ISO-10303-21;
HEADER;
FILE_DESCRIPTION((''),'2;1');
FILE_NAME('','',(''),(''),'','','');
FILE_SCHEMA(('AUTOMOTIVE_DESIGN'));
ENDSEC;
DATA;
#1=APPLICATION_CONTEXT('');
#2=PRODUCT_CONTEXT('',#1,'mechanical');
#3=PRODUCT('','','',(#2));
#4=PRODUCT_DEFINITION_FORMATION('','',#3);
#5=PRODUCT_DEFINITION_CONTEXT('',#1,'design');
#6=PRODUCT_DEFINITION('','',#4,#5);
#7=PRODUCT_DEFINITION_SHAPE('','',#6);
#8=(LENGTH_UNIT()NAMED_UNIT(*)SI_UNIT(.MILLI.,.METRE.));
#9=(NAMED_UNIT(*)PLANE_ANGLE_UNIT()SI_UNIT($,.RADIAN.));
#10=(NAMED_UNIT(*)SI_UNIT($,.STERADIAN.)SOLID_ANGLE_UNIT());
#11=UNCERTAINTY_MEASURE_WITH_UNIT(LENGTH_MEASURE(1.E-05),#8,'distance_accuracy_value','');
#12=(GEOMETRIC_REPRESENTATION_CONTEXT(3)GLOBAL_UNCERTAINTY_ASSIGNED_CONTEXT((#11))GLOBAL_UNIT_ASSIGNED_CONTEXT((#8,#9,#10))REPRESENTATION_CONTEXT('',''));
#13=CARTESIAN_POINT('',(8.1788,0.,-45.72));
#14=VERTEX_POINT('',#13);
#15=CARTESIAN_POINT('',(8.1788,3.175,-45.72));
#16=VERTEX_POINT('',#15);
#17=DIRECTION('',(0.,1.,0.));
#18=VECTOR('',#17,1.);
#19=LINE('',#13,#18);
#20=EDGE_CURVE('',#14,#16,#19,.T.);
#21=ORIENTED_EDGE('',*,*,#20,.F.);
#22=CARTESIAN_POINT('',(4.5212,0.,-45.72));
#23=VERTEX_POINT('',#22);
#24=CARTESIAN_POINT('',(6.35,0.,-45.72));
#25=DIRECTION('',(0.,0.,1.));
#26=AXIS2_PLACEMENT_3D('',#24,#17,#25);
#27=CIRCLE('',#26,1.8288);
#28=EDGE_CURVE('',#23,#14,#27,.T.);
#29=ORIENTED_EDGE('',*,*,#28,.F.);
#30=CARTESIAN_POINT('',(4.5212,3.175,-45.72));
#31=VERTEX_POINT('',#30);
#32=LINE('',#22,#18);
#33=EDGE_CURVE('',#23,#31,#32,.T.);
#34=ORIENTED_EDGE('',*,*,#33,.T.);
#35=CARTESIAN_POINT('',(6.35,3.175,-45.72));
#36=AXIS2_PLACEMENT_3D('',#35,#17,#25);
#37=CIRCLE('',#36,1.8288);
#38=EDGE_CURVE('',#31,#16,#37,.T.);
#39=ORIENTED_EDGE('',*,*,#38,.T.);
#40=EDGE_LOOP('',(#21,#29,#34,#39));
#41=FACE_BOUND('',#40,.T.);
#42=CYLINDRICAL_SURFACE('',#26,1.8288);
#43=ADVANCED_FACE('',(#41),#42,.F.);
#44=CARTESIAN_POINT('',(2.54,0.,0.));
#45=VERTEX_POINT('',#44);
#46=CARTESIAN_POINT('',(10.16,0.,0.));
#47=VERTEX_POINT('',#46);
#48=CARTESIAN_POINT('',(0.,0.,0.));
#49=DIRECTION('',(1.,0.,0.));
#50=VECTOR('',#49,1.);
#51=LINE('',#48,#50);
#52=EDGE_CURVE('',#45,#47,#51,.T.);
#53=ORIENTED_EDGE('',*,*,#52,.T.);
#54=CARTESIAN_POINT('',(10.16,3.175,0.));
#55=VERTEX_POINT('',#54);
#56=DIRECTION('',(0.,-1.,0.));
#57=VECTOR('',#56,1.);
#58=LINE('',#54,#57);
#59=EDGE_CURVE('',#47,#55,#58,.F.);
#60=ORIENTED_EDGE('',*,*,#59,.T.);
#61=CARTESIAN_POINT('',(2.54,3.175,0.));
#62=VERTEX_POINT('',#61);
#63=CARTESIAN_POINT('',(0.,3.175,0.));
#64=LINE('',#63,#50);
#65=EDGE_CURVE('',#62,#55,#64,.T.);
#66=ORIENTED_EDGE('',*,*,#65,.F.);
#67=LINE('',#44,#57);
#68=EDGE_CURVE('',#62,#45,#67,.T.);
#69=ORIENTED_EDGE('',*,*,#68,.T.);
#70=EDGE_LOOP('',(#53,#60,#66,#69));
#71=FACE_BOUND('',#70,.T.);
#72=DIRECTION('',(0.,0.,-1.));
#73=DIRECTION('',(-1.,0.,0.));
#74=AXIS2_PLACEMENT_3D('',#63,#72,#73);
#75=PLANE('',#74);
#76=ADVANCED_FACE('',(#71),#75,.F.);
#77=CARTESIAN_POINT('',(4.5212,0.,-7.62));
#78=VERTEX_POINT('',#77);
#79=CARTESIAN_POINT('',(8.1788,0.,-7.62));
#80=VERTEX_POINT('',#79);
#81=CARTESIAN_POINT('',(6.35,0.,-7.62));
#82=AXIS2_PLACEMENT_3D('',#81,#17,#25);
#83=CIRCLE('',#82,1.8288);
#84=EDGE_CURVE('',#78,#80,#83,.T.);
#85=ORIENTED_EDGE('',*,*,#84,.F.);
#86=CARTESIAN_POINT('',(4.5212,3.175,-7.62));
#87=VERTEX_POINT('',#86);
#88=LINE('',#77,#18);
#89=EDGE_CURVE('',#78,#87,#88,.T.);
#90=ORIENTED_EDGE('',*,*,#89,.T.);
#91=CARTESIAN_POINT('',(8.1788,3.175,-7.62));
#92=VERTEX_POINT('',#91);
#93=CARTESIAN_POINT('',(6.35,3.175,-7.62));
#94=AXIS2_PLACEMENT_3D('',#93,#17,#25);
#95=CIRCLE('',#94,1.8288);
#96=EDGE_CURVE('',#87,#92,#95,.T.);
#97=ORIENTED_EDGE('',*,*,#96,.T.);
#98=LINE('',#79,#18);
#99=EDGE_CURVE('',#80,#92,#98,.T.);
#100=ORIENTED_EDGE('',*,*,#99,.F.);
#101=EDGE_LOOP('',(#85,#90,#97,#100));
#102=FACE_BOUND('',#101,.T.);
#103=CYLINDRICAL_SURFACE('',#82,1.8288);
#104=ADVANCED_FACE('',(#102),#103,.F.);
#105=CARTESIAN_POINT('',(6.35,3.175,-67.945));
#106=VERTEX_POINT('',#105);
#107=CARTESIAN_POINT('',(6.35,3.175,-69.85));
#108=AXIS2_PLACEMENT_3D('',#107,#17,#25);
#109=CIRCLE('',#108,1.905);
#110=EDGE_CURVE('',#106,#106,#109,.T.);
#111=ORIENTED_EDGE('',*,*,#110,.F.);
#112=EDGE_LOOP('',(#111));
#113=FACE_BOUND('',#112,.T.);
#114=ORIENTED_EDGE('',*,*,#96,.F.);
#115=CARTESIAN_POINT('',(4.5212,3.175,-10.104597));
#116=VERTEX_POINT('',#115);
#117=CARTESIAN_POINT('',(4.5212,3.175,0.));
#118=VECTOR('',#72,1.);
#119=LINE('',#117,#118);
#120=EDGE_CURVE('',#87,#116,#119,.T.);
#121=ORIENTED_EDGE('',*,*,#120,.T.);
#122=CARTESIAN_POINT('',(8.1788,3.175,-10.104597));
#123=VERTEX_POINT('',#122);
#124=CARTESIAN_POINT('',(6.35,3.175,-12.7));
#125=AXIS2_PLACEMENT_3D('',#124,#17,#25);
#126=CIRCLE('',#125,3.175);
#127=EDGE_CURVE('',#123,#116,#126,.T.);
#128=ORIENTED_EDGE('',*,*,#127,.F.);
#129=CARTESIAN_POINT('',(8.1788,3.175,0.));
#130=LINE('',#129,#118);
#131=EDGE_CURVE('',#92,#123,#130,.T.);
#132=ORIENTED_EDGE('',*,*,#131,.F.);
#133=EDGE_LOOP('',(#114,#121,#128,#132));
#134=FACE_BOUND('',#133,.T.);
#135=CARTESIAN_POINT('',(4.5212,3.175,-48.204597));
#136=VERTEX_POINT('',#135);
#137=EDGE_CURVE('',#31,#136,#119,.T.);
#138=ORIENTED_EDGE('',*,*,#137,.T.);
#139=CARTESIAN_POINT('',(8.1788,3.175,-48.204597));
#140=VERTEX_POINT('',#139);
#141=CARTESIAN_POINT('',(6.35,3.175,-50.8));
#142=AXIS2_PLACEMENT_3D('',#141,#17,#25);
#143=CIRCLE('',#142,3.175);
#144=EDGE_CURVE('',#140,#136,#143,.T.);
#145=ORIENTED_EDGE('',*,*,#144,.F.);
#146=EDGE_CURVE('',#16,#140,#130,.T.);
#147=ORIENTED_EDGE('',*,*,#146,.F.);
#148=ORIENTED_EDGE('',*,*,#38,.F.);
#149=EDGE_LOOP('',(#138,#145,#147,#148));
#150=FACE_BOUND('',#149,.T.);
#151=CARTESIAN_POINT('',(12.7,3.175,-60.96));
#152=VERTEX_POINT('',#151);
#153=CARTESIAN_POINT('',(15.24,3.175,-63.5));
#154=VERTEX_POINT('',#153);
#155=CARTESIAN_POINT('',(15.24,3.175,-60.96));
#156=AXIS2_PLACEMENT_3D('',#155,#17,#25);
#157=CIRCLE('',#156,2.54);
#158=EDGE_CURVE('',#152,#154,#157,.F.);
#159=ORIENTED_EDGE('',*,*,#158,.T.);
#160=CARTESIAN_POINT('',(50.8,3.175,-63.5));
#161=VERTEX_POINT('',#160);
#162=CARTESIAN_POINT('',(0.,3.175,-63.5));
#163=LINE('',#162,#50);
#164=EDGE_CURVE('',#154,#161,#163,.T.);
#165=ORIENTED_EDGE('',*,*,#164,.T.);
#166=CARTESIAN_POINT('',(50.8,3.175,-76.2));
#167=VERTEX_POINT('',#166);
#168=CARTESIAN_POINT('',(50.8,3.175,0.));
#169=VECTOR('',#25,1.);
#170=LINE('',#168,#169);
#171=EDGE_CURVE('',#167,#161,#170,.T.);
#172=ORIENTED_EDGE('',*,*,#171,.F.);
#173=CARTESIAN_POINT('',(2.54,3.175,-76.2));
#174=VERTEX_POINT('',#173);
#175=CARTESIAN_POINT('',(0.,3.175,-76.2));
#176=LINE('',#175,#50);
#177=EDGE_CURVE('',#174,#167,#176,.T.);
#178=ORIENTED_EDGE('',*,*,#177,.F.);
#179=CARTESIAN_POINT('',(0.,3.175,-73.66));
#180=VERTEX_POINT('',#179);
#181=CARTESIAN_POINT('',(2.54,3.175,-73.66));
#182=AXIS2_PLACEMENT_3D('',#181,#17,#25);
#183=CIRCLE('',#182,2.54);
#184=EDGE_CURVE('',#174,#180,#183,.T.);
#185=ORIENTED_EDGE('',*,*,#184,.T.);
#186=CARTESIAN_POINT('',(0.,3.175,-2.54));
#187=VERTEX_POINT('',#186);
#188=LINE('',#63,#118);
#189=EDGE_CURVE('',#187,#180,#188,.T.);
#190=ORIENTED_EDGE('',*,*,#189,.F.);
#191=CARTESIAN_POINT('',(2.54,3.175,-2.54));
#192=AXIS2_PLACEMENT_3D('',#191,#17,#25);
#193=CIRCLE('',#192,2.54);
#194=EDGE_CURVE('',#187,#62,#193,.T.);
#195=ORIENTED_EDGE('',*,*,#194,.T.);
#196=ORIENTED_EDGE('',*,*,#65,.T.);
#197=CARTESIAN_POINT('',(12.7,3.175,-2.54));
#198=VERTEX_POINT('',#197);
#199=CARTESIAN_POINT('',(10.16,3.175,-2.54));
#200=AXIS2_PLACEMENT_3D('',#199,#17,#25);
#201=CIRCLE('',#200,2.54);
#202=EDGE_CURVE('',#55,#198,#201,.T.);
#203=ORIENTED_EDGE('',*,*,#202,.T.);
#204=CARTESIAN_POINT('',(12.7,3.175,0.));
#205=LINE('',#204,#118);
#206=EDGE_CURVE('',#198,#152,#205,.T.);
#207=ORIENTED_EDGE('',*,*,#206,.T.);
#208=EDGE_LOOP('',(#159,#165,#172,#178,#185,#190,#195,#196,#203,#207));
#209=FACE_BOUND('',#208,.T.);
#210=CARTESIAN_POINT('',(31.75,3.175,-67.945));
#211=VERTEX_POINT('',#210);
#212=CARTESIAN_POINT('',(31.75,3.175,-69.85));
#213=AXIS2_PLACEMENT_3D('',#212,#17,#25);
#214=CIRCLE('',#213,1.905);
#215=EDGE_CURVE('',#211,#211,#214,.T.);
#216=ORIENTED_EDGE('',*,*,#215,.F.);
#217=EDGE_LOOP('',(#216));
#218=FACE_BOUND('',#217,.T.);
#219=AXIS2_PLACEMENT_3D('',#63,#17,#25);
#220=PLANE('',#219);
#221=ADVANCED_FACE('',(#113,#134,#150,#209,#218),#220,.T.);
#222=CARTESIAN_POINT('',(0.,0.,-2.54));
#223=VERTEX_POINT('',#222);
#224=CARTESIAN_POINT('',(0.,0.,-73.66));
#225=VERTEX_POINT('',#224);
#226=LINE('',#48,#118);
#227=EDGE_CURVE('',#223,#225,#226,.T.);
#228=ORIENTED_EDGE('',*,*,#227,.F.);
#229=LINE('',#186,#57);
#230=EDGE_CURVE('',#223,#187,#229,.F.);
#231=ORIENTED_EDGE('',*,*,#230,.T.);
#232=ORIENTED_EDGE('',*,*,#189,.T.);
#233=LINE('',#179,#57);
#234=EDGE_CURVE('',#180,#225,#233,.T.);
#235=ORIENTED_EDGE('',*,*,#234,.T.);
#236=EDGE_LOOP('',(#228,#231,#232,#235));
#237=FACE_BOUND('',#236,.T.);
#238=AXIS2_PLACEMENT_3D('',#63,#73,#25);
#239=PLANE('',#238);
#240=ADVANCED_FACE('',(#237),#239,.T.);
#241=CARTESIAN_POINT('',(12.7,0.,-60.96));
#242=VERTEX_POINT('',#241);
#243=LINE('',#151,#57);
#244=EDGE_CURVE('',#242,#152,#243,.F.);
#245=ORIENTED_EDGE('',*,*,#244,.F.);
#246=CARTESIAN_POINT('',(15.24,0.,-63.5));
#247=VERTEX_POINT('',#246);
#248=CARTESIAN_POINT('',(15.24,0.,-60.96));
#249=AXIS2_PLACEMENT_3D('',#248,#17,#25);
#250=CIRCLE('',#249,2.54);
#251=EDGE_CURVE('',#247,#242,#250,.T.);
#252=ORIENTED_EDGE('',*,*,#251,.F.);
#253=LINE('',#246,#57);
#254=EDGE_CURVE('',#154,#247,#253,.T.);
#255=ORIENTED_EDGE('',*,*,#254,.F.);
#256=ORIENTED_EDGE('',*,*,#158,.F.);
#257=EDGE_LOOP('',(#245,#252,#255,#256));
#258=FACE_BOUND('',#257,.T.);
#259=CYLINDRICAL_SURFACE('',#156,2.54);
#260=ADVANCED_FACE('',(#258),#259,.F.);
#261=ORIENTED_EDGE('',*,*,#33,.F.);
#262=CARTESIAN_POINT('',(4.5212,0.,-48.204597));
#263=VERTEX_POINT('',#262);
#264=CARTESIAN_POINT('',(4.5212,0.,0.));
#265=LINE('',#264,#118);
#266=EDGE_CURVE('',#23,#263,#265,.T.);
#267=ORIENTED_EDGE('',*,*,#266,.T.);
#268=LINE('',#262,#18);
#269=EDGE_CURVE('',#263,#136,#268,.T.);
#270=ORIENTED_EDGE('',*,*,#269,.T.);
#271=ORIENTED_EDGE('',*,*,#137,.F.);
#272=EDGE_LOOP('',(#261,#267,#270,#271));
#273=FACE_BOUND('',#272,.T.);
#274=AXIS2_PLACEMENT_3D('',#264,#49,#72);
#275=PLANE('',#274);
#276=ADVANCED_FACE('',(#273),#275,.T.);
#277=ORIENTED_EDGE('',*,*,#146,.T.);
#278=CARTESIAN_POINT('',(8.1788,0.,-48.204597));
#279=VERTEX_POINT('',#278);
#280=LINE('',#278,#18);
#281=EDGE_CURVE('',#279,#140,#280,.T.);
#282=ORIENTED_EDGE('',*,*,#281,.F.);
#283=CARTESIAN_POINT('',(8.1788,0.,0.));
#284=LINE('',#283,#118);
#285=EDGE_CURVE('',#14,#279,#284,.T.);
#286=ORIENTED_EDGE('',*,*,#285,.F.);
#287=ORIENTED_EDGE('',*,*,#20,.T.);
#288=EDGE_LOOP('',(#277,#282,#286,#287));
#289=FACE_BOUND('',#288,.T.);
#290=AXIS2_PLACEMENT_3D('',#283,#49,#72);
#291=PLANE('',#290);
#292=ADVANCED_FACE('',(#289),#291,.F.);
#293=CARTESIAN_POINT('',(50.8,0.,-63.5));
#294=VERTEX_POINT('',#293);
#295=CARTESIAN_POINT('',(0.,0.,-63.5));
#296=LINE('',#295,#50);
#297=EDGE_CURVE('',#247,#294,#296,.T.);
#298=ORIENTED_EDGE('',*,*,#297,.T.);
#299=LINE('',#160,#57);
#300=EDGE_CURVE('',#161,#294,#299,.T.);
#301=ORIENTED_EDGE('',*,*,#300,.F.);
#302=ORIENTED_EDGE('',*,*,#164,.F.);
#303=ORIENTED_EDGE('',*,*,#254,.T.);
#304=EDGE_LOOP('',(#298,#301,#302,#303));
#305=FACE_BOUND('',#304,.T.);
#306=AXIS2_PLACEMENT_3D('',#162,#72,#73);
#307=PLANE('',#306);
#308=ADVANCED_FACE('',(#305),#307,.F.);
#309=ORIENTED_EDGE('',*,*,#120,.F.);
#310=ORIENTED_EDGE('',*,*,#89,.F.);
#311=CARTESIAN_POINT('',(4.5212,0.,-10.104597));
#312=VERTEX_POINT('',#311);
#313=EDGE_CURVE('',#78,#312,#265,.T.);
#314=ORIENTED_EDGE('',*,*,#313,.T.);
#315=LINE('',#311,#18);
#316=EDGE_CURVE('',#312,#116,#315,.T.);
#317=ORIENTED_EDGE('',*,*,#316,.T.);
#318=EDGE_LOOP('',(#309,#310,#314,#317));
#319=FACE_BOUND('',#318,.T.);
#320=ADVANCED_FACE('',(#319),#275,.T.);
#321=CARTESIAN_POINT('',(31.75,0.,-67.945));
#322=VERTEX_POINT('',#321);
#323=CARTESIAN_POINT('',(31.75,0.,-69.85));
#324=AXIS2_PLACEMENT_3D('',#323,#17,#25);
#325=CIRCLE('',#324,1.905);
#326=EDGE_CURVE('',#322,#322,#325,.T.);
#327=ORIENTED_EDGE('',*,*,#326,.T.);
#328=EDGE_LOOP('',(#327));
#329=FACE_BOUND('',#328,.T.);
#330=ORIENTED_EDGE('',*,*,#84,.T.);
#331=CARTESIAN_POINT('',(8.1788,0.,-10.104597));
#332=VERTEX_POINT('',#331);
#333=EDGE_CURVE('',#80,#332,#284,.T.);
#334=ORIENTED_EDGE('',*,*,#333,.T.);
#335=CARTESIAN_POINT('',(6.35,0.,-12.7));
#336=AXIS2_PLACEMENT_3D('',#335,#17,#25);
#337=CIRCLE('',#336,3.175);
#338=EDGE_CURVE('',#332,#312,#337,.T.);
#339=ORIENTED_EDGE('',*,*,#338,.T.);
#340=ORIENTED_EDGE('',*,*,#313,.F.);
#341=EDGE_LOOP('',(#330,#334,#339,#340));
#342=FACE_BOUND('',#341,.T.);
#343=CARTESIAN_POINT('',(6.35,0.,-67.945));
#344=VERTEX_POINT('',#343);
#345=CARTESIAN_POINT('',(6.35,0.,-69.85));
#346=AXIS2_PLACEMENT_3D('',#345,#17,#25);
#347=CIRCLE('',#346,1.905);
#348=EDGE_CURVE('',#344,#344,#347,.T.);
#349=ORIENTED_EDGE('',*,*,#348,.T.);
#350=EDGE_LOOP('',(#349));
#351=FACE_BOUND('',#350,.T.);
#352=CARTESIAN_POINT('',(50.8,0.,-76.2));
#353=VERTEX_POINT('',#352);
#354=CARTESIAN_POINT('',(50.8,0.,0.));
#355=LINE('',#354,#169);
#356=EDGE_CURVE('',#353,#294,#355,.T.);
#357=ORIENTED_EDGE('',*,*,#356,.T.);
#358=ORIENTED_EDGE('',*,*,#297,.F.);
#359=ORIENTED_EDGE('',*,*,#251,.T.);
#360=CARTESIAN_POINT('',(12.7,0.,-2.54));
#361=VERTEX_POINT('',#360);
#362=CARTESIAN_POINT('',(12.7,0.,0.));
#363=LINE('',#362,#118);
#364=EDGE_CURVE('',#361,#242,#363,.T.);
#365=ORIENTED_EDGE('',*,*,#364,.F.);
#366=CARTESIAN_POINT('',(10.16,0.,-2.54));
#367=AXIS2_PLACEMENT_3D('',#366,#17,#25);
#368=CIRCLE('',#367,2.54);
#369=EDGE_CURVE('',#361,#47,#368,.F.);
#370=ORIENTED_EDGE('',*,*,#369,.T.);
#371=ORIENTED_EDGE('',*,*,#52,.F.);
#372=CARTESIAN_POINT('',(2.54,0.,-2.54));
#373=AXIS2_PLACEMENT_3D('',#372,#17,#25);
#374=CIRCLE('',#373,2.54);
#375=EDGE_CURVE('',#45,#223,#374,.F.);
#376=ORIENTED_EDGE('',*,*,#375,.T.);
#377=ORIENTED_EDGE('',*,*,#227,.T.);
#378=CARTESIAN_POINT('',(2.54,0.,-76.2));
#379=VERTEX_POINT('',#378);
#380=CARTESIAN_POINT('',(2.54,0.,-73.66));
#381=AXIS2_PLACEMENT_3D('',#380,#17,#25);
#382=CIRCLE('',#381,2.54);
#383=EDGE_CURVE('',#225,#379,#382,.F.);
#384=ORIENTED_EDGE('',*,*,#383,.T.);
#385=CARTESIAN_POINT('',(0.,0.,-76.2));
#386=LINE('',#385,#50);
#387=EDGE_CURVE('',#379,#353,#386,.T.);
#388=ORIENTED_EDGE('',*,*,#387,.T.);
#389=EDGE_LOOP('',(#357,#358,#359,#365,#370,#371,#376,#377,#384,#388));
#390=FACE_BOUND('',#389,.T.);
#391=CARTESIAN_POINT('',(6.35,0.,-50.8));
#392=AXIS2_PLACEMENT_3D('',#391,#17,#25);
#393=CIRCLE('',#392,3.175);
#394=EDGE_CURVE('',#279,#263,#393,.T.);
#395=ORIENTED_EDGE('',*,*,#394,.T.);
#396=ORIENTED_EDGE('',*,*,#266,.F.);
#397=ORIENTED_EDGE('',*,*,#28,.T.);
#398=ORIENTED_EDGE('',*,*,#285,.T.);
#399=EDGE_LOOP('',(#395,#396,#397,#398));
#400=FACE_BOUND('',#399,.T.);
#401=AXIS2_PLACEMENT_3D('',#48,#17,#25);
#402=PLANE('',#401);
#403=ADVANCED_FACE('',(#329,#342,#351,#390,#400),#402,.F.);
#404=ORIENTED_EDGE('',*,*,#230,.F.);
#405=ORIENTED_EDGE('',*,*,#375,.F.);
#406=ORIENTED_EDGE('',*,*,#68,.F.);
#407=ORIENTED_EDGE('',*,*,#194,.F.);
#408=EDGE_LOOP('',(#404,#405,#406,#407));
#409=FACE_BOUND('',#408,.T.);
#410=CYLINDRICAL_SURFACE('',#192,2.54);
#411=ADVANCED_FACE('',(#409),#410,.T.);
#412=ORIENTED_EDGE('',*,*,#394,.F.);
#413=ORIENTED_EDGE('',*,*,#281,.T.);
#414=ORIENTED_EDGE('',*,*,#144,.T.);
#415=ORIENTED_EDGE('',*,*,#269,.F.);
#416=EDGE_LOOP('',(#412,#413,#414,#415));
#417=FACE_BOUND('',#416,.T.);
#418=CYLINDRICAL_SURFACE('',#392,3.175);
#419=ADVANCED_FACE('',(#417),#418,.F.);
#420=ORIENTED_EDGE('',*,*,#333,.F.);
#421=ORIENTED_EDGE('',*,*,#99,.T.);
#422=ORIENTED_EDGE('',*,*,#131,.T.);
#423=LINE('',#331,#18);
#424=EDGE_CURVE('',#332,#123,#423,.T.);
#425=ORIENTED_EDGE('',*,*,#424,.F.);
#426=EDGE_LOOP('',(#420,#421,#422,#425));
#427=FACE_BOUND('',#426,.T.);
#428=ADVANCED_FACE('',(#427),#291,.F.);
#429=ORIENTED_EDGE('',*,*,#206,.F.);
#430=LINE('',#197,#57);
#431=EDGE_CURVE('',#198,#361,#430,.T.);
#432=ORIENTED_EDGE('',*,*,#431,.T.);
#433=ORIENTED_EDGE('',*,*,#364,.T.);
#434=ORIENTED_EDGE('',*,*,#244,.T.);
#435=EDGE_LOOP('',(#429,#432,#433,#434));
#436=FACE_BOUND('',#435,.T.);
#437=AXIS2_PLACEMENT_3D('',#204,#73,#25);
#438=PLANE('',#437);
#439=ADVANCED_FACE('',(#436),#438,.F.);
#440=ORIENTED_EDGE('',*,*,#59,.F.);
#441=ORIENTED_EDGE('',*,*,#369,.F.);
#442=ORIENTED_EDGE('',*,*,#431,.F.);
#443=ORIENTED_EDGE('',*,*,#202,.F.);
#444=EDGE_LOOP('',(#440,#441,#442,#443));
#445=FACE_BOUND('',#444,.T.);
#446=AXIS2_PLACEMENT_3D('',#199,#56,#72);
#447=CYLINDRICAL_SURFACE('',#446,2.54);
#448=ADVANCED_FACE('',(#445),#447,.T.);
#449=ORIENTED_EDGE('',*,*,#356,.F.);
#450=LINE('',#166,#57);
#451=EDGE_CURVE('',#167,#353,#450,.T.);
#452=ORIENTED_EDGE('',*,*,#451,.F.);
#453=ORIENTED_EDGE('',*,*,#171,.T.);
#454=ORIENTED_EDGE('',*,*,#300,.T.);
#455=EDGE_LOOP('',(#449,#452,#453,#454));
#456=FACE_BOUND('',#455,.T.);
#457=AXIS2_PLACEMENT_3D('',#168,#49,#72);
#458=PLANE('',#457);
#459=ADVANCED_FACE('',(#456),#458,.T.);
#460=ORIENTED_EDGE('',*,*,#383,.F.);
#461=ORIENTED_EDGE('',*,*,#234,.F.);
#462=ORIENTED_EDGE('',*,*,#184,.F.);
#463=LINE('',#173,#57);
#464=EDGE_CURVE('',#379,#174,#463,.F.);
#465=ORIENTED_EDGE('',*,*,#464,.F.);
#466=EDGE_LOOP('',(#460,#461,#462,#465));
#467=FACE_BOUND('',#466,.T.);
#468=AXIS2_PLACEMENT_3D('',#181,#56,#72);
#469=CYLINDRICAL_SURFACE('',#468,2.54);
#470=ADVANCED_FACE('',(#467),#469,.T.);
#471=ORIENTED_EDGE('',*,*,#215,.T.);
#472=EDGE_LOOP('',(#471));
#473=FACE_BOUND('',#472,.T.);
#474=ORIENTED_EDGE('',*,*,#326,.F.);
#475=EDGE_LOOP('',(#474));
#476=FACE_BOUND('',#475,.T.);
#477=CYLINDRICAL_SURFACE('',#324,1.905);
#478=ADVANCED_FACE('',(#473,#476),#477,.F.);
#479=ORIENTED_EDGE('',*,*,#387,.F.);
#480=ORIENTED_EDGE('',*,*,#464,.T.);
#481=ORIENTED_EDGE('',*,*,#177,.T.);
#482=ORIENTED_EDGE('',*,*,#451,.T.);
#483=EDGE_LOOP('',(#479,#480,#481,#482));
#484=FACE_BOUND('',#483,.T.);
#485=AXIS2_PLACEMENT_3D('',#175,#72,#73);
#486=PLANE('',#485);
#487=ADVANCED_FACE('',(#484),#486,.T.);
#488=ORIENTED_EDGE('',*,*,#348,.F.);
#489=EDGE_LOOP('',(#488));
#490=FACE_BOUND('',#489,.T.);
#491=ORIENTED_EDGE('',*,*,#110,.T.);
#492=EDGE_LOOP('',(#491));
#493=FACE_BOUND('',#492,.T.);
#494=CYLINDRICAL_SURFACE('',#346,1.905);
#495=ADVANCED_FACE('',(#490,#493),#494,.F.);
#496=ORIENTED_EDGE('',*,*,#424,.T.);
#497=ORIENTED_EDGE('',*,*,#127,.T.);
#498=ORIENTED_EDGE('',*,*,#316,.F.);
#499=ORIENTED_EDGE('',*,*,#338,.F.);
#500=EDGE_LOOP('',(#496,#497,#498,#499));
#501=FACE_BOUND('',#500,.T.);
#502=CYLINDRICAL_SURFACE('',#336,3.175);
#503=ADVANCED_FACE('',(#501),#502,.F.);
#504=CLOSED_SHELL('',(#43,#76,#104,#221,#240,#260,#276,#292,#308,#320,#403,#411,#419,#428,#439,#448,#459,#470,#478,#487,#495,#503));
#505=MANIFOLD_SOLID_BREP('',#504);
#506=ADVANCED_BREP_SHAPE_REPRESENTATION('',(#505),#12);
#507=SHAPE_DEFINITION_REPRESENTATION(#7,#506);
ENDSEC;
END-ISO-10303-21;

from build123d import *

# Parameters (mm, degrees)
BOSS_EXTRUDE1_DEPTH = 3.175
SKETCH2_R           = 1.905
CUT_EXTRUDE1_DEPTH  = 3.175
FILLET3_R           = 2.54


with BuildPart() as part:
    # Sketch1 → Boss-Extrude1 (new body)
    with BuildSketch(Plane(origin=(0, 0, 0), x_dir=(1, 0, 0), z_dir=(0, 1, 0))):
        Polygon((0, 76.2), (0, 0), (12.7, 0), (12.7, 63.5), (50.8, 63.5), (50.8, 76.2), align=None)
    extrude(amount=BOSS_EXTRUDE1_DEPTH)

    # Sketch2 → Cut-Extrude1 (cut)
    with BuildSketch(Plane(origin=(0, 3.175, 0), x_dir=(1, 0, 0), z_dir=(0, 1, 0))):
        with BuildLine():
            Line((4.5212, 48.204597226), (4.5212, 45.72))
            ThreePointArc((4.5212, 45.72), (6.35, 43.8912), (8.1788, 45.72))
            Line((8.1788, 45.72), (8.1788, 48.204597226))
            ThreePointArc((8.1788, 48.204597226), (6.35, 53.975), (4.5212, 48.204597226))
        make_face()
        with BuildLine():
            Line((4.5212, 10.104597226), (4.5212, 7.62))
            ThreePointArc((4.5212, 7.62), (6.35, 5.7912), (8.1788, 7.62))
            Line((8.1788, 7.62), (8.1788, 10.104597226))
            ThreePointArc((8.1788, 10.104597226), (6.35, 15.875), (4.5212, 10.104597226))
        make_face()
        with Locations(Location((31.75, 69.85, 0), (0, 0, 270))):
            Circle(SKETCH2_R)
        with Locations(Location((6.35, 69.85, 0), (0, 0, 270))):
            Circle(SKETCH2_R)
    extrude(amount=-CUT_EXTRUDE1_DEPTH, mode=Mode.SUBTRACT)

    # Fillet3
    fillet3_edges = [part.edges().sort_by_distance(p)[0] for p in [
        (12.7, 1.5875, -63.5),
        (12.7, 1.5875, 0),
        (0, 1.5875, 0),
        (0, 1.5875, -76.2),
    ]]
    fillet(fillet3_edges, radius=FILLET3_R)


solid = part.part
